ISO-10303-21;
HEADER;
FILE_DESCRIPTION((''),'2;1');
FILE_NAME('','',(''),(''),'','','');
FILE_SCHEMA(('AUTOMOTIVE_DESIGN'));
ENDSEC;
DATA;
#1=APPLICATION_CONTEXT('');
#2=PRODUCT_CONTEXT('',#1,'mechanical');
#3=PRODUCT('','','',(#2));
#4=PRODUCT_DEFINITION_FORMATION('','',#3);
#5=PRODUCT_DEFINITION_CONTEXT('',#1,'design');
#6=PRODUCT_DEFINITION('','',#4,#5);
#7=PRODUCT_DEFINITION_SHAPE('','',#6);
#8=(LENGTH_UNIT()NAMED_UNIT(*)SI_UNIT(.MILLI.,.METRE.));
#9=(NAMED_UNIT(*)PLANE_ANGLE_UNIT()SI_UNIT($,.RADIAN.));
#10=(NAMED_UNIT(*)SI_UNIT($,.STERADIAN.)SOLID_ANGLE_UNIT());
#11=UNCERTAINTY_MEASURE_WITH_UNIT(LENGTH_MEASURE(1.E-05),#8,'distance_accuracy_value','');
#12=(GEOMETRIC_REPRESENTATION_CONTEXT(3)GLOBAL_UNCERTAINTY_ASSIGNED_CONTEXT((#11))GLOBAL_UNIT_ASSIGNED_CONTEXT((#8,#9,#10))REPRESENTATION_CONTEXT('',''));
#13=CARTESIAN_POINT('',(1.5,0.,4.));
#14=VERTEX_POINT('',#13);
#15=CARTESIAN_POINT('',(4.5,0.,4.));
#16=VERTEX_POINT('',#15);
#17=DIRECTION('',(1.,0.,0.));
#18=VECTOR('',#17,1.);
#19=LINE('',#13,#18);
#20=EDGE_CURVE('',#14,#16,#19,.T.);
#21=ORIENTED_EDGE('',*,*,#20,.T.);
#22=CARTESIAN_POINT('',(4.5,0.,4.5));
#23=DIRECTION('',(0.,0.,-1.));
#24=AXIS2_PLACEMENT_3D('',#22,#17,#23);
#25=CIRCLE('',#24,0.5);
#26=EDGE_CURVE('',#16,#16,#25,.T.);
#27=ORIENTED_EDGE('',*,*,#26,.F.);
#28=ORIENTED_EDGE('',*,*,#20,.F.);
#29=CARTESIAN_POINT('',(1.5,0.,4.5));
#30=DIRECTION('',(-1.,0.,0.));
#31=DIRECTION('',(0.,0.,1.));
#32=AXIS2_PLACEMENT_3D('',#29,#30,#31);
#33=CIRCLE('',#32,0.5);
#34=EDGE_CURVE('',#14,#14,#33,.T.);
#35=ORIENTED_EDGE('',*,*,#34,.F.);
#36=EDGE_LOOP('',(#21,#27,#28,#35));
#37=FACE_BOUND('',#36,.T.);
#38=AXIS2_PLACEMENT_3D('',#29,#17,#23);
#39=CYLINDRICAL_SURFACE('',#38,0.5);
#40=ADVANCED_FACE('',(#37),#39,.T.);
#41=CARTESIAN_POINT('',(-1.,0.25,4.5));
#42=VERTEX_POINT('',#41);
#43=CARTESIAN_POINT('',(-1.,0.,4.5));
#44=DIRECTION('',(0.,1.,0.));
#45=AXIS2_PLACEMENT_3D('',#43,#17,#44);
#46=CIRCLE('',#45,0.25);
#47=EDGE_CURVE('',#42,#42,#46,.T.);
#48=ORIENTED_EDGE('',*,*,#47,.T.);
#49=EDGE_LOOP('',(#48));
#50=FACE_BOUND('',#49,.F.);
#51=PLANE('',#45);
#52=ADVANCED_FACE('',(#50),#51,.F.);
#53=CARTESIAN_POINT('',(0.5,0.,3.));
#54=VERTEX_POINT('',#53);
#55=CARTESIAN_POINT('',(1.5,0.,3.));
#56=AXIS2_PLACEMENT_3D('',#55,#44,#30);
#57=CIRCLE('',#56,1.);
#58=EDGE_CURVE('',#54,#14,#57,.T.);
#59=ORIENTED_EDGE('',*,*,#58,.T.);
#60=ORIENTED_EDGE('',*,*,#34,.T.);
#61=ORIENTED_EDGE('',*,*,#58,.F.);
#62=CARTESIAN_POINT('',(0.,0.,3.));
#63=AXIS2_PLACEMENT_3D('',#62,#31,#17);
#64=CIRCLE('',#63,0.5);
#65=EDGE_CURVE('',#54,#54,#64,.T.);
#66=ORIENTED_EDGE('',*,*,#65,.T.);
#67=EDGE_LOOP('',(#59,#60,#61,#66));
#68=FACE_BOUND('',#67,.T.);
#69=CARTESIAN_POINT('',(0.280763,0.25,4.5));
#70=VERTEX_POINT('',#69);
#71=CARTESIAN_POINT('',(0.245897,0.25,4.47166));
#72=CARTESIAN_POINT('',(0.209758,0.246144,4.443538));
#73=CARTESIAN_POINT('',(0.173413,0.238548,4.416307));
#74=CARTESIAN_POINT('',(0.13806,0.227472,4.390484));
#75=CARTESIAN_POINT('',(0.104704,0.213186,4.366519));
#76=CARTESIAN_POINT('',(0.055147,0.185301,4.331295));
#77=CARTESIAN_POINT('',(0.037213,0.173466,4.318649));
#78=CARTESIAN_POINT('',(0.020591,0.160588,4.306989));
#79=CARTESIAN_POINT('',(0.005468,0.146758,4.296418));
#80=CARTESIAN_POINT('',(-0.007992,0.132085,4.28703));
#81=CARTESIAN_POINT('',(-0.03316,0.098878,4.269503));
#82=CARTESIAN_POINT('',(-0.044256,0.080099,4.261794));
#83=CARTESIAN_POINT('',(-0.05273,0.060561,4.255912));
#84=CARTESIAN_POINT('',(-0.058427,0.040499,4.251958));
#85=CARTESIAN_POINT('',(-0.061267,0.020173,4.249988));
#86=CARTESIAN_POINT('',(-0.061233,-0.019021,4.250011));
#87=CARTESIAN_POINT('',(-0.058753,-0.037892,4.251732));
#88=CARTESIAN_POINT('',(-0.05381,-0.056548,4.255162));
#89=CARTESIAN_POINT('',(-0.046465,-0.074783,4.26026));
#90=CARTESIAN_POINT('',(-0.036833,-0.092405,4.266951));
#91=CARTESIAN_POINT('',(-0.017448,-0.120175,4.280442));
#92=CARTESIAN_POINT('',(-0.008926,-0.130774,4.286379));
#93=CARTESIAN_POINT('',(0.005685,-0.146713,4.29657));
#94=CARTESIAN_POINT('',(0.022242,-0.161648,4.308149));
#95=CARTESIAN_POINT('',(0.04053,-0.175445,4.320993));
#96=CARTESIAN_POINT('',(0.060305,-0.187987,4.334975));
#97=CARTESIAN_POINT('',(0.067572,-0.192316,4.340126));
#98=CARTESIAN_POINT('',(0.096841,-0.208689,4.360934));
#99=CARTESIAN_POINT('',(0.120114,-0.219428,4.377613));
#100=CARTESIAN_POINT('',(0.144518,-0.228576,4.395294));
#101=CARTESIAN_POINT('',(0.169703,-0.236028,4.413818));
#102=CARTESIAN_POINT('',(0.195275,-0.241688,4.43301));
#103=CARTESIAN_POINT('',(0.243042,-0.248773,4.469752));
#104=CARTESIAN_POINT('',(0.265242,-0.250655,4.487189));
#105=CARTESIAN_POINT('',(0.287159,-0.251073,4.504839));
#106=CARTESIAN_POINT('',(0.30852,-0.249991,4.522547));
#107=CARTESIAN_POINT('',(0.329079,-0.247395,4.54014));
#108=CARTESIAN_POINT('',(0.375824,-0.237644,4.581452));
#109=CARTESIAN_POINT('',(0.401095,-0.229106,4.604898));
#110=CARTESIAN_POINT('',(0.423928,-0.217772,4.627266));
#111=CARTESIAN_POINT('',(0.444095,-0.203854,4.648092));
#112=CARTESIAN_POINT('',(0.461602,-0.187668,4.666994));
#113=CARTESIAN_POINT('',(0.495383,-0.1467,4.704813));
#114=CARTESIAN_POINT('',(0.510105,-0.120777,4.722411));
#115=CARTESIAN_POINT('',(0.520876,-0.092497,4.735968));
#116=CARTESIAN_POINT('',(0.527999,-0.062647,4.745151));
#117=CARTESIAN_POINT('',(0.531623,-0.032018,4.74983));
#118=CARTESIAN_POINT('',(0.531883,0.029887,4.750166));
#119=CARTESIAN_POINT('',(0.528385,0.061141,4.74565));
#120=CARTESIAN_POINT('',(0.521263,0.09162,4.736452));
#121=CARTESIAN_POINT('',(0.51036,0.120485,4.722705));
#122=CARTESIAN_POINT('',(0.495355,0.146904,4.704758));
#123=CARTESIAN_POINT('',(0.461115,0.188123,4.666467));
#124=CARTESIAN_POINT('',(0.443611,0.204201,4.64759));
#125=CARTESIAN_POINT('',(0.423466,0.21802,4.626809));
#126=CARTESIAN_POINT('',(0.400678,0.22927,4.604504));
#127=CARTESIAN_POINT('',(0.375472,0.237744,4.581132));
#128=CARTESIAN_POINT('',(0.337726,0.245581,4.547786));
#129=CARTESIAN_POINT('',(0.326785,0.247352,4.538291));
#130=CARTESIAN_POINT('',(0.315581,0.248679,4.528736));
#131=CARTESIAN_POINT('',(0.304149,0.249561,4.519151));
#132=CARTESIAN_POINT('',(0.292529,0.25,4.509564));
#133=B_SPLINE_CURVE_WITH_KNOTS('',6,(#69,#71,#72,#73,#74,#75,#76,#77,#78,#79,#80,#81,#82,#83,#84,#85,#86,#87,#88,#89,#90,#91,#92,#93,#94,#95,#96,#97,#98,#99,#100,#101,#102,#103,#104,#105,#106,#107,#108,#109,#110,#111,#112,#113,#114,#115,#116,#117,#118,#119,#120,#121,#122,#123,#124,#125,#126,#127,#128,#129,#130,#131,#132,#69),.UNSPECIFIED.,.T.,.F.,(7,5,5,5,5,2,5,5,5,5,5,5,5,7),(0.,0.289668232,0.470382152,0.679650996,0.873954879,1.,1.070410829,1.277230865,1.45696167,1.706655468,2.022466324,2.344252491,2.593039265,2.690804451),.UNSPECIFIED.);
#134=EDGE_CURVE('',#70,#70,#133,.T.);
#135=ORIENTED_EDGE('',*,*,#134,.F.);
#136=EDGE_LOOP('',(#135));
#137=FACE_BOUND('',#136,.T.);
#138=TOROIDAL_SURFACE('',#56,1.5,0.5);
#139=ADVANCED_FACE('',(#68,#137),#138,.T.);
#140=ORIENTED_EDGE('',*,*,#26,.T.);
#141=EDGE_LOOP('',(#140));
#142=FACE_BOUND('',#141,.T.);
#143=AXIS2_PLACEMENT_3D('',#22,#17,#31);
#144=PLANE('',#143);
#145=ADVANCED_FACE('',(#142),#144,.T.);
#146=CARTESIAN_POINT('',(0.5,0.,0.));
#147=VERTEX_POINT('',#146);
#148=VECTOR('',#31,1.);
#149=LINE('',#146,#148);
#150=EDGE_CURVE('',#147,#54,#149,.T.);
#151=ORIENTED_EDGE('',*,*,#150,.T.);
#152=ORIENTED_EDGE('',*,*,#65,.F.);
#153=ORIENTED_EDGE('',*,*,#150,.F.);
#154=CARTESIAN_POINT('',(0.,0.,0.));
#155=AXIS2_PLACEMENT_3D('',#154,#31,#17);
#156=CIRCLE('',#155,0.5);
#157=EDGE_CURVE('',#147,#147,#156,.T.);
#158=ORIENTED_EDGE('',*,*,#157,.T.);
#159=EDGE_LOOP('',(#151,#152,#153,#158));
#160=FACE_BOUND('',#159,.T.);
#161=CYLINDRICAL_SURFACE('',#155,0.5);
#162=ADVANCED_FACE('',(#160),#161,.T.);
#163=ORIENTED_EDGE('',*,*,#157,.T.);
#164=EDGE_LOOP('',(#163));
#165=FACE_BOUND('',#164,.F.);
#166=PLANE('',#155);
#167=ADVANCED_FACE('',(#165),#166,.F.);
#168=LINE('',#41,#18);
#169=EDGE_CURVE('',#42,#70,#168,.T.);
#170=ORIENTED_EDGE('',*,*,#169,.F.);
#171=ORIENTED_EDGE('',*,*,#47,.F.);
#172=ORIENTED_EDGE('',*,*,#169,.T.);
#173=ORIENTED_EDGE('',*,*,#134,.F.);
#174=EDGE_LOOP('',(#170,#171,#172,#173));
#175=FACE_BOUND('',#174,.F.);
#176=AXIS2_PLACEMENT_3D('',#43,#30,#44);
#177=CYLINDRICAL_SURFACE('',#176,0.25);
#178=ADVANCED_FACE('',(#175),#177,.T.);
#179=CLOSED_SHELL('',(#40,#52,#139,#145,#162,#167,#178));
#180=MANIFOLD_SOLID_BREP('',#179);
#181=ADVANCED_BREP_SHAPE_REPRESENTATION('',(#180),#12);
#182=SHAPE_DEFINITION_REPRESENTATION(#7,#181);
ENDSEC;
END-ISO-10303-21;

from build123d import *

# Parameters (mm, degrees)
F1_R     = 0.5
F4_R     = 0.25
F5_DEPTH = 3


with BuildPart() as f2:
    # F2: sweep along a path in F0
    with BuildLine(Plane.XZ) as f2_path:
        Line((0, 0), (0, 3))
        ThreePointArc((0, 3), (0.4393398282, 4.0606601718), (1.5, 4.5))
        Line((1.5, 4.5), (4.5, 4.5))
    # F1 (on Top) → F2 (sweep)
    with BuildSketch(Plane.XY):
        Circle(F1_R)
    sweep(path=f2_path.line)

    # F4 (on offset) → F5 (join)
    with BuildSketch(Plane.YZ.offset(-1)):
        with Locations((0, 4.5)):
            Circle(F4_R)
    extrude(amount=F5_DEPTH)


solid = f2.part
